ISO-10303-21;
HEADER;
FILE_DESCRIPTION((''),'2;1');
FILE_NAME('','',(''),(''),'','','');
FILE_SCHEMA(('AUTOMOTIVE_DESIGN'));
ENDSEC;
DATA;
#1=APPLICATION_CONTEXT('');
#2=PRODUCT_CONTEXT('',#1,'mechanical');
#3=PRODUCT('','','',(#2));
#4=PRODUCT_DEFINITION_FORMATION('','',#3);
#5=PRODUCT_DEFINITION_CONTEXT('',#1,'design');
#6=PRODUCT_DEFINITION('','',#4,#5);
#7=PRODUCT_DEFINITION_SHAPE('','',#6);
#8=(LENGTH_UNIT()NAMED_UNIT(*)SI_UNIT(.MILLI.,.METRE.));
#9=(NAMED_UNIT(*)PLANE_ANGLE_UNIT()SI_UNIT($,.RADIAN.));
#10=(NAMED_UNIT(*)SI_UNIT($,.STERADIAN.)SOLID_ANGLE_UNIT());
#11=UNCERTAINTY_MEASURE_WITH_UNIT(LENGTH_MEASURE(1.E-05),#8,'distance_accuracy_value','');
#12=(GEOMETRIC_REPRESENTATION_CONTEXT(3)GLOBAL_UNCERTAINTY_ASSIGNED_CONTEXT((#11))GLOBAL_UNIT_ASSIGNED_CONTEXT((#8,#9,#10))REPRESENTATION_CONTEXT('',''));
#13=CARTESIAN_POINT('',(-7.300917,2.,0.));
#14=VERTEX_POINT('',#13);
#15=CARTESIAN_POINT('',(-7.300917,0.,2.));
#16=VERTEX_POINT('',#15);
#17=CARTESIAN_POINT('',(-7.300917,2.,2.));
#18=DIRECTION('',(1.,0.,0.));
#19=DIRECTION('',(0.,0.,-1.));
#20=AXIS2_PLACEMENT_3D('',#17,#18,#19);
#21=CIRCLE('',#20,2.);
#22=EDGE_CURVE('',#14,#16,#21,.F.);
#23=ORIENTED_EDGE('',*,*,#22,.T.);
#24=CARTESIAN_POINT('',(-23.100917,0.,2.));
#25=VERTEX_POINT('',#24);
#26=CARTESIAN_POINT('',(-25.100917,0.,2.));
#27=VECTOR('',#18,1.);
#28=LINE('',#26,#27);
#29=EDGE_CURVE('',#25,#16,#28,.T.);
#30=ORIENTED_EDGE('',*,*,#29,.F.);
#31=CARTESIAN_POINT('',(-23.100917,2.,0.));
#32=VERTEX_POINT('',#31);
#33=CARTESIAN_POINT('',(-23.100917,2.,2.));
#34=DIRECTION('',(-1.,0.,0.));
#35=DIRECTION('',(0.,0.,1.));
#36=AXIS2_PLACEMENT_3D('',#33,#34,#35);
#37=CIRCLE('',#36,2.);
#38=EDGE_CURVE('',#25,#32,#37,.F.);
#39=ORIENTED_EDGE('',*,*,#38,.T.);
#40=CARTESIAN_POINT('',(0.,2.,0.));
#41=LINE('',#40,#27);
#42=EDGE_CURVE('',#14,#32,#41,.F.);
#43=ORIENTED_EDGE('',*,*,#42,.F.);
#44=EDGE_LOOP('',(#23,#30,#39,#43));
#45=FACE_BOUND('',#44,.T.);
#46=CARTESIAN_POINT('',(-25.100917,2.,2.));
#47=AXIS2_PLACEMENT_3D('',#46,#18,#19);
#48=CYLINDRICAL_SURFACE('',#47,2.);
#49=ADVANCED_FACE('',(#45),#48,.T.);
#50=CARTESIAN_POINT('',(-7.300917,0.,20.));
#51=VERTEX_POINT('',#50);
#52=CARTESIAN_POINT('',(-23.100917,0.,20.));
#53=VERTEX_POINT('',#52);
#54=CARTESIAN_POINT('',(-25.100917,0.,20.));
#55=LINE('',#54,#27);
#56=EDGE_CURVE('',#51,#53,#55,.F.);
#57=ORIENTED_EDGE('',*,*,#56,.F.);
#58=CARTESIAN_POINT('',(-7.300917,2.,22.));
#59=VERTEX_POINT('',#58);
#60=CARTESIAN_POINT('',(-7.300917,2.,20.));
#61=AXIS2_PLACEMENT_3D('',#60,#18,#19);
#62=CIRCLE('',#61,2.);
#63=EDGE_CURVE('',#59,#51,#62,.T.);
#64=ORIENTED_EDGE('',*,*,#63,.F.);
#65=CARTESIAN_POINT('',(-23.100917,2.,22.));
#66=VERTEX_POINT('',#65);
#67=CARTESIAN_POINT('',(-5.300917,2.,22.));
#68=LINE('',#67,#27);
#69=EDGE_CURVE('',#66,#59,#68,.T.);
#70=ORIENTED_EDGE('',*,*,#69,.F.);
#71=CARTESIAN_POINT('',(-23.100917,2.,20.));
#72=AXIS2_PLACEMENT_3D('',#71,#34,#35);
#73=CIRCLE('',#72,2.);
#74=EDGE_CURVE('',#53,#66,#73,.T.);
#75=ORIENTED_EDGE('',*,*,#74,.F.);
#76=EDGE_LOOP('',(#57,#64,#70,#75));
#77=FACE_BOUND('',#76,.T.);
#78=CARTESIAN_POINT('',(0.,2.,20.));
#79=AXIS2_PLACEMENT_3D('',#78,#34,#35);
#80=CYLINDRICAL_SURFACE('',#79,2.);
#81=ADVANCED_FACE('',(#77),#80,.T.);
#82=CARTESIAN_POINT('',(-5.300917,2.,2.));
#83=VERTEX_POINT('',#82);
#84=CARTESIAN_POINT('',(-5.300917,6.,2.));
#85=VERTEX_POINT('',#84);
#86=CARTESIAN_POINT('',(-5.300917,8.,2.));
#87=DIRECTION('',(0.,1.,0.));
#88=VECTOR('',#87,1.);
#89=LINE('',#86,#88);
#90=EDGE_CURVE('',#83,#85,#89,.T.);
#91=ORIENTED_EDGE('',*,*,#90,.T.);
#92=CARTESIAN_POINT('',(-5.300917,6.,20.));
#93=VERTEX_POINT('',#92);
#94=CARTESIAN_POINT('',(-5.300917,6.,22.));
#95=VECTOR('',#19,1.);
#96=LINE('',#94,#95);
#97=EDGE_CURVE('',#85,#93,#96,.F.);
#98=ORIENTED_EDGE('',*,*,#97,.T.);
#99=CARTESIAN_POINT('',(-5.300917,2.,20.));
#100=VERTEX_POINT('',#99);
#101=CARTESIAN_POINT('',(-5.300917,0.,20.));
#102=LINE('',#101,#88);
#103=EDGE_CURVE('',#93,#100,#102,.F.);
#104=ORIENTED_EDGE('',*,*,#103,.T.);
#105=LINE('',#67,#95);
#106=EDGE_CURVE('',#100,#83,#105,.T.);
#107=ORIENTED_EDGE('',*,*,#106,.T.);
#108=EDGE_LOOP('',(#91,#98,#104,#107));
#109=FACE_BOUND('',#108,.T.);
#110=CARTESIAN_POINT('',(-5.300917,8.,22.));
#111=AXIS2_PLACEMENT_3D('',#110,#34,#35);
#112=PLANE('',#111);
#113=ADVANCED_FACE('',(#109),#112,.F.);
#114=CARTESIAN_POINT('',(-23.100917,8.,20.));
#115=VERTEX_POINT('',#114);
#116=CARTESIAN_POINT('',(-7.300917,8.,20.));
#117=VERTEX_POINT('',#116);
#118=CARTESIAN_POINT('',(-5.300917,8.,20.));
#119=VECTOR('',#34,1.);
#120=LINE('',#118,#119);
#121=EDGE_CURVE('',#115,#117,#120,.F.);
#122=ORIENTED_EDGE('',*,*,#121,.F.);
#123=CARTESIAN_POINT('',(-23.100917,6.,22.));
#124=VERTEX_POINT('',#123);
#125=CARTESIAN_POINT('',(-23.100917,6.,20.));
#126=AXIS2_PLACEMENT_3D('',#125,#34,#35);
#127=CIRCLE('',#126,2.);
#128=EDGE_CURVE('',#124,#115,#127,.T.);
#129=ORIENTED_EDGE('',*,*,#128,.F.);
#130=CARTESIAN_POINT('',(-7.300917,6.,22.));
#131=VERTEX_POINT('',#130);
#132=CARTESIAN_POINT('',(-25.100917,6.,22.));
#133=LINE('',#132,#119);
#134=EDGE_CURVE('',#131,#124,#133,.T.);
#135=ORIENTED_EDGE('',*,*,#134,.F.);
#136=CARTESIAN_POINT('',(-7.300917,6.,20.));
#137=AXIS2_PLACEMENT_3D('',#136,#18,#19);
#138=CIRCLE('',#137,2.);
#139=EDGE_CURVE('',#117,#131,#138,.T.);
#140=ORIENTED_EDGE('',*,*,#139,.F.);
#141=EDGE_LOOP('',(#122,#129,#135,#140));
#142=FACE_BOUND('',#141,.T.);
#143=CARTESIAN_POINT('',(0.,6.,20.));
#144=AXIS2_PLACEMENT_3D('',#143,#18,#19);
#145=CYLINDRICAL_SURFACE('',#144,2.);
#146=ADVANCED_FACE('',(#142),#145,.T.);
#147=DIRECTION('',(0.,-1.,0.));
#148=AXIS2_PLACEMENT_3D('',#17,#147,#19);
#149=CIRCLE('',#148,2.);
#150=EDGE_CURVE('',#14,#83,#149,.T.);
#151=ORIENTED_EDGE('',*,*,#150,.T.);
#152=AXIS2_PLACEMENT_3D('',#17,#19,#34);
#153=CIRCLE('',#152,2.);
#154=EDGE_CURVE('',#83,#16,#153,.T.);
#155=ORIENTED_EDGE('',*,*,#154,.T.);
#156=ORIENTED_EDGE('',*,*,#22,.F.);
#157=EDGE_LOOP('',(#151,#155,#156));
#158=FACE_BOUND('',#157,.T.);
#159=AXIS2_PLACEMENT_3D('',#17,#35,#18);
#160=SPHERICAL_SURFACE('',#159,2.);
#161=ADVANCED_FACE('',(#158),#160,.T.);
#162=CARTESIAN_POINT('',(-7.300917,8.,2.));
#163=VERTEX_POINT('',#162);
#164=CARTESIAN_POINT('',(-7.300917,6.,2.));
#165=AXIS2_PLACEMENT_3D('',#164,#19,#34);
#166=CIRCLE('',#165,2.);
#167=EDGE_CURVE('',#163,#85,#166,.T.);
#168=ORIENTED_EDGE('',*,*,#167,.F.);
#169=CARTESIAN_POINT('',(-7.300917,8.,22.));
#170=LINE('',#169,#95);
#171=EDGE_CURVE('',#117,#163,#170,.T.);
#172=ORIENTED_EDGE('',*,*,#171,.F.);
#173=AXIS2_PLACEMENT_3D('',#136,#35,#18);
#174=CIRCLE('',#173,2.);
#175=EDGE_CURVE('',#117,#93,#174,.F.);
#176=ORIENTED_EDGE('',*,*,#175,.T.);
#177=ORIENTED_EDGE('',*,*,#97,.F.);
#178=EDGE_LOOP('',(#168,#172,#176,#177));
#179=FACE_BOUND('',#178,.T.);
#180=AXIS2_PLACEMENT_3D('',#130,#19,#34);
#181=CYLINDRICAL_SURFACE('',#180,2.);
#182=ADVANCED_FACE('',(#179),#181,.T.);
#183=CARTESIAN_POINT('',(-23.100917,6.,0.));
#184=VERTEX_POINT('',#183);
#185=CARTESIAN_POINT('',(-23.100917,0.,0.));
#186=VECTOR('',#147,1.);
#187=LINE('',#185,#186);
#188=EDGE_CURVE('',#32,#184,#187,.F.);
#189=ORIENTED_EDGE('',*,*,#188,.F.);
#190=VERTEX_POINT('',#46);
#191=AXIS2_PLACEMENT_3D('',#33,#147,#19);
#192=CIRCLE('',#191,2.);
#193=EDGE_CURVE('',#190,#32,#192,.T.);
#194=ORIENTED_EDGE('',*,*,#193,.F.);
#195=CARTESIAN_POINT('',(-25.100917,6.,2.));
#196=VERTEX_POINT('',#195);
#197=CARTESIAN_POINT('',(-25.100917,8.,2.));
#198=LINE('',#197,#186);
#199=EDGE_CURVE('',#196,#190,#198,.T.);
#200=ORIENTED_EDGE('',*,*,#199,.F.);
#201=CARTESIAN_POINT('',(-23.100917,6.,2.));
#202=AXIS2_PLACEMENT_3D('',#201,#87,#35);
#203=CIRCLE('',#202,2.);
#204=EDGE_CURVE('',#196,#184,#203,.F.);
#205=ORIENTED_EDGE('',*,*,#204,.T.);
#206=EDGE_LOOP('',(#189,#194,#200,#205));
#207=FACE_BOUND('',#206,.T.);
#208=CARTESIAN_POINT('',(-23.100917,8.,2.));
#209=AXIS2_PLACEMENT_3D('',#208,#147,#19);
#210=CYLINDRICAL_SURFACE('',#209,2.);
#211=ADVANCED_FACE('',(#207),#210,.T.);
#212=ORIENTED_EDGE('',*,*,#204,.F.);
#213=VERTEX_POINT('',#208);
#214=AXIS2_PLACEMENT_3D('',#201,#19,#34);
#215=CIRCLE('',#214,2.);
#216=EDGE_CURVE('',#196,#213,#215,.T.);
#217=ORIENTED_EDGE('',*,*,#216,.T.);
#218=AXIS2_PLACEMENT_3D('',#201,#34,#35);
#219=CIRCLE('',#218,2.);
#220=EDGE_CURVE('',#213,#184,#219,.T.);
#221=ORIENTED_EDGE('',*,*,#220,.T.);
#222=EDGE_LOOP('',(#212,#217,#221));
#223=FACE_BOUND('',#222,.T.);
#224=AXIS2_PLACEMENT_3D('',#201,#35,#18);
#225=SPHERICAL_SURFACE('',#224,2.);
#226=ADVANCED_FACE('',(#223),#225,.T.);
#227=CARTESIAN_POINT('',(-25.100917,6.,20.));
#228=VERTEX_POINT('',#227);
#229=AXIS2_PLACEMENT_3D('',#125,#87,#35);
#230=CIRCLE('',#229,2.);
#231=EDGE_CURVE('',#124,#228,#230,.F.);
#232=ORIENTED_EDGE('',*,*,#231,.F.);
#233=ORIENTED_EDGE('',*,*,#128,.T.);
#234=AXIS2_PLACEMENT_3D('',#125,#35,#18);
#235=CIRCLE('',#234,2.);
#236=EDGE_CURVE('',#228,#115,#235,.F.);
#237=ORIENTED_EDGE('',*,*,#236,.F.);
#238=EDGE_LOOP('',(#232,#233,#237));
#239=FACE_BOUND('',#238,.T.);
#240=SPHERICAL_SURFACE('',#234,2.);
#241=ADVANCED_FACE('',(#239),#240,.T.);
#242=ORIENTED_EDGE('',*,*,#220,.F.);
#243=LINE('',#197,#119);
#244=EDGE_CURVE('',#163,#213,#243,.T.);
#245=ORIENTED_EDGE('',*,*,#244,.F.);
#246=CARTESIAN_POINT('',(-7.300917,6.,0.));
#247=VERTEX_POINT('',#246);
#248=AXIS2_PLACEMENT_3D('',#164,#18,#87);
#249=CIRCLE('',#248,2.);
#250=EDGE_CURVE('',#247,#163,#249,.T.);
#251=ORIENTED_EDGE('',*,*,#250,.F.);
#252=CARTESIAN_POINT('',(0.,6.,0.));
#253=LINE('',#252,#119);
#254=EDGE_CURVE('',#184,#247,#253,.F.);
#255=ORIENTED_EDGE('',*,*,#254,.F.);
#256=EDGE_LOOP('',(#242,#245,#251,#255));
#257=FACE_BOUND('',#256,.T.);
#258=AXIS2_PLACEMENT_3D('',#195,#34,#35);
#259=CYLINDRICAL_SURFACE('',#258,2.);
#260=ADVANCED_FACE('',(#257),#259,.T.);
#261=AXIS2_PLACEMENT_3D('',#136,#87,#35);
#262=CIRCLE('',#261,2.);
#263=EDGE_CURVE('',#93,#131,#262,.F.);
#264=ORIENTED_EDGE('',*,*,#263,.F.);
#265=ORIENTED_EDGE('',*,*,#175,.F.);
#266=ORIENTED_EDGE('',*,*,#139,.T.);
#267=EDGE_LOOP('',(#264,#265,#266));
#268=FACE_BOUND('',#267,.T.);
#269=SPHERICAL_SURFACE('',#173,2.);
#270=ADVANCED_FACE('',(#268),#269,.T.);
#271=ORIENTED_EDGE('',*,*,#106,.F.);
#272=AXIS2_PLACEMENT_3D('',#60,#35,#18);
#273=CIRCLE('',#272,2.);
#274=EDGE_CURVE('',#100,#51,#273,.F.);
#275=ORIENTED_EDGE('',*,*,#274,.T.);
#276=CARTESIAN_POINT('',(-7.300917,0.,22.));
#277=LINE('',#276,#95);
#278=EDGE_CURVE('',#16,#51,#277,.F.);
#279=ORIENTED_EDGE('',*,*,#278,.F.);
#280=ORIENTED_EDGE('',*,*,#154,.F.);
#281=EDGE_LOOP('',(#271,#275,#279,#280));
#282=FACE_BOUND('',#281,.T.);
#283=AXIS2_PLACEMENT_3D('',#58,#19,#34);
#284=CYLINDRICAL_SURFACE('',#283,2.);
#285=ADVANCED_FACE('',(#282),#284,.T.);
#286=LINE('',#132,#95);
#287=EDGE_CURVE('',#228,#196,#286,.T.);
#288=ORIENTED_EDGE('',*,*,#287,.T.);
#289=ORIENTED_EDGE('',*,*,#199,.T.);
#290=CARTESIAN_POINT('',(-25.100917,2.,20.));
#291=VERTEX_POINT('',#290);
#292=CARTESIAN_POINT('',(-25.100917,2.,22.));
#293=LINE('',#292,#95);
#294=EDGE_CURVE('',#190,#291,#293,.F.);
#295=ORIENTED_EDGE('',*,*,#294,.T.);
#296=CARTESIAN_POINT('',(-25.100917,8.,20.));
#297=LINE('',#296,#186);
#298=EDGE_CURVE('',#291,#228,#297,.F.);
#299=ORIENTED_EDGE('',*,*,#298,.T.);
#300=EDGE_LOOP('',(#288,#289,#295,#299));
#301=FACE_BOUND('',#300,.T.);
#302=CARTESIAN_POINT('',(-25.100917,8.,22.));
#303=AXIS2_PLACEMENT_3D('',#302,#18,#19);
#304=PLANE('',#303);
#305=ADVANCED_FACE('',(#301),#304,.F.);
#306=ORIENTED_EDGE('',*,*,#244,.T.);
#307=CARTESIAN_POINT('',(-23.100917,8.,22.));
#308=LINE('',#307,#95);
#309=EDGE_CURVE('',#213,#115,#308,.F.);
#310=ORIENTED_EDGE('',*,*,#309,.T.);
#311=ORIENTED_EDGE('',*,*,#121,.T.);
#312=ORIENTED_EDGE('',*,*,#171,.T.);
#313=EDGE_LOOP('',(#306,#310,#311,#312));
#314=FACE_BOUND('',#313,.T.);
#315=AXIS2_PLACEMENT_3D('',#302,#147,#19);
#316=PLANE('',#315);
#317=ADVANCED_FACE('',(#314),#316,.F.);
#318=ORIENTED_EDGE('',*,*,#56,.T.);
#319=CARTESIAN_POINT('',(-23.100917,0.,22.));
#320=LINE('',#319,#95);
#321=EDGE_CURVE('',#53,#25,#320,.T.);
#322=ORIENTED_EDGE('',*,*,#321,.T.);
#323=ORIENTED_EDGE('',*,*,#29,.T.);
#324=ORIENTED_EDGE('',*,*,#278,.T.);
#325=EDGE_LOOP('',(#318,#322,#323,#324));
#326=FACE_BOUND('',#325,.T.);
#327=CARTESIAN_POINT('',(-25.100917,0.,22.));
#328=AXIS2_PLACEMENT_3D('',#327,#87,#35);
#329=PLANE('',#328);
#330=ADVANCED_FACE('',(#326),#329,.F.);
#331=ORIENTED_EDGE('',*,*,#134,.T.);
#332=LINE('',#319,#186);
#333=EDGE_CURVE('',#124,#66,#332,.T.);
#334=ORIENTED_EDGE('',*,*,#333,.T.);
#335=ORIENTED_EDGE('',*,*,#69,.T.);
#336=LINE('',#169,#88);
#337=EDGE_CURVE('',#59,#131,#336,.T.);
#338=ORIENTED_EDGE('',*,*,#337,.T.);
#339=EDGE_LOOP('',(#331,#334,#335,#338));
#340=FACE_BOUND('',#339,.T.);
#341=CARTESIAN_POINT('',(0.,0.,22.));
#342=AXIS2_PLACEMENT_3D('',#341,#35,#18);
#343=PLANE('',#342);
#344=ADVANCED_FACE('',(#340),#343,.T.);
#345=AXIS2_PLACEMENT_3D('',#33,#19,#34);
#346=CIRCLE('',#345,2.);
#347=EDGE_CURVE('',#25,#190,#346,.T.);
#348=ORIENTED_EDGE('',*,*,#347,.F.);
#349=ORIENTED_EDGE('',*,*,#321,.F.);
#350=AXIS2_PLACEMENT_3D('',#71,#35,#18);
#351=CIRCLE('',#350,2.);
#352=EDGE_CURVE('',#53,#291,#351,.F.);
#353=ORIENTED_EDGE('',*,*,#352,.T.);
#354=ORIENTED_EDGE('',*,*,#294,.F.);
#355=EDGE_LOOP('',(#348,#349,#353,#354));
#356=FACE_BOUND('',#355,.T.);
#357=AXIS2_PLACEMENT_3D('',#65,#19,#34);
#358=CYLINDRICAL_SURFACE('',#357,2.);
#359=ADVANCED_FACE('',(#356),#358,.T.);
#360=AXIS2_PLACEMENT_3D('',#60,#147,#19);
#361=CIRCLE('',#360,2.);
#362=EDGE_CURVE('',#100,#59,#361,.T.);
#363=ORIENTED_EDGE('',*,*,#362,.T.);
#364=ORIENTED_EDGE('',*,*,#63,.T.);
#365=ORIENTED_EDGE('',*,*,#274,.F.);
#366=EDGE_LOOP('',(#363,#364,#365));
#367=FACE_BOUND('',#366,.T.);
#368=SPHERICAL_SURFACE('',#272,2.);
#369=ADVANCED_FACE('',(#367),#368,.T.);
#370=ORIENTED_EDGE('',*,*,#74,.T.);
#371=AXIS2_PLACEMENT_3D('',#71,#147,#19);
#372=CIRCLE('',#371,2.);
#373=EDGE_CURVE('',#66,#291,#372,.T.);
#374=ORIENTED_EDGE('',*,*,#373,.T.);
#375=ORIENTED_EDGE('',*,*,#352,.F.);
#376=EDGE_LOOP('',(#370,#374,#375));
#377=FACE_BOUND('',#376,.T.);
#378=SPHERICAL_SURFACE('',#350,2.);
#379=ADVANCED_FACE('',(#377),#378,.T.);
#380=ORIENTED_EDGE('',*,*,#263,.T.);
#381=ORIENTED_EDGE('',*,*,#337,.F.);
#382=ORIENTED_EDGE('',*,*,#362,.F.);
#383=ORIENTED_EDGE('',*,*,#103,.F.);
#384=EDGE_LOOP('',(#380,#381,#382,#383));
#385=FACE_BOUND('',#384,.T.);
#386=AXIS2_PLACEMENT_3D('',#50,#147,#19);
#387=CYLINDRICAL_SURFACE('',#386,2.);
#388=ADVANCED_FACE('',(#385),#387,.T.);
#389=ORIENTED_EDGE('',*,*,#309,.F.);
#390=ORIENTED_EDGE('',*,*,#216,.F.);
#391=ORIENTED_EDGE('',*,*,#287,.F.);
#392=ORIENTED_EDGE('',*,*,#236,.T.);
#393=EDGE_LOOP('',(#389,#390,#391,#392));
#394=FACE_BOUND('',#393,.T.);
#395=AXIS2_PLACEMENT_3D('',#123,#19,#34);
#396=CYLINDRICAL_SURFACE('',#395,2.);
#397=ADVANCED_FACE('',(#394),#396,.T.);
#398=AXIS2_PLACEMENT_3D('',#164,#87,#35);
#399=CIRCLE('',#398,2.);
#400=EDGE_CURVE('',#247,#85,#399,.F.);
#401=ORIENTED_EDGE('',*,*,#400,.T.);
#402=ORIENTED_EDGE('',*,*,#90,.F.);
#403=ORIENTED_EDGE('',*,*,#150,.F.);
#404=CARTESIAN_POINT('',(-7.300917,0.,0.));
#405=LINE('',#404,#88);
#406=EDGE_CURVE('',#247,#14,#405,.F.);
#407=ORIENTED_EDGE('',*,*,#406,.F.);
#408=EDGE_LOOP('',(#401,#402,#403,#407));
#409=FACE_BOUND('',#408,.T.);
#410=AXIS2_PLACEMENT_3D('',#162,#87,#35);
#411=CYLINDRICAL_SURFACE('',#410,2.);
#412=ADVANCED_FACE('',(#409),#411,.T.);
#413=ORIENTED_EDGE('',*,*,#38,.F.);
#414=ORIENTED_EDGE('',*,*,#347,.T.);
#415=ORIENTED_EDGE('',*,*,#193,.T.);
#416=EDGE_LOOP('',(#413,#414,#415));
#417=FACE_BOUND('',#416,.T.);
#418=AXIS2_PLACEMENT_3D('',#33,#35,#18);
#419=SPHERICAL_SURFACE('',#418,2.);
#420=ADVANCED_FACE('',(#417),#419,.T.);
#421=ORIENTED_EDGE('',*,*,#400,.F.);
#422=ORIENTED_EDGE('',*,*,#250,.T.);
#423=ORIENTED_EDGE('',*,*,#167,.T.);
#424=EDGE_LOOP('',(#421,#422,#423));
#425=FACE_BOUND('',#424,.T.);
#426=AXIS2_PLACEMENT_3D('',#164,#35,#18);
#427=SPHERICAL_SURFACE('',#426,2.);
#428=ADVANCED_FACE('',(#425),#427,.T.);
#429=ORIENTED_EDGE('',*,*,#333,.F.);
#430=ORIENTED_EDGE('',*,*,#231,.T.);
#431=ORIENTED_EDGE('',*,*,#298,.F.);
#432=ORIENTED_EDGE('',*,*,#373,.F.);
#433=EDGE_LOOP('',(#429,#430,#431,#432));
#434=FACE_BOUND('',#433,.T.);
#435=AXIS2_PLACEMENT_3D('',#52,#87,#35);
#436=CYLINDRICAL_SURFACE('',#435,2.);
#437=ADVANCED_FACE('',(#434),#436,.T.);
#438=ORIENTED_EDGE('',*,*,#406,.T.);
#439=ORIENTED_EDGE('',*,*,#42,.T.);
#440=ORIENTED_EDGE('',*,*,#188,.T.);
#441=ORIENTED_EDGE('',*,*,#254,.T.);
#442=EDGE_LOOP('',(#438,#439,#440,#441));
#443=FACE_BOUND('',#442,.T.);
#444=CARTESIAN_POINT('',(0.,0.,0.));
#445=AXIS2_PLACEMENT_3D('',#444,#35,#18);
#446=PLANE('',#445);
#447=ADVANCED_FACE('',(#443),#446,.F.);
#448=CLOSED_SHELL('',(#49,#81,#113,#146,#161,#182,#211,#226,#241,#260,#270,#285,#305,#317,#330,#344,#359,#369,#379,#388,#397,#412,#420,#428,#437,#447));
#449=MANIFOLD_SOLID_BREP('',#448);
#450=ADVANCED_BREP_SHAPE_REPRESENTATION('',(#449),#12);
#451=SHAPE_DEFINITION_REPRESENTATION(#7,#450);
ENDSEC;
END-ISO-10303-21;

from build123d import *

# Parameters (mm, degrees)
CROQUIS1_W              = 19.8
CROQUIS1_H              = 8
SALIENTE_EXTRUIR1_DEPTH = 22
REDONDEO1_R             = 2


with BuildPart() as part:
    # Croquis1 → Saliente-Extruir1 (new body)
    with BuildSketch(Plane.XY):
        with Locations((-15.200917431, 4)):
            Rectangle(CROQUIS1_W, CROQUIS1_H)
    extrude(amount=SALIENTE_EXTRUIR1_DEPTH)

    # Redondeo1
    redondeo1_edges = [part.edges().sort_by_distance(p)[0] for p in [
        (-5.300917431, 4, 22),
        (-15.200917431, 8, 22),
        (-25.100917431, 4, 22),
        (-15.200917431, 8, 0),
        (-5.300917431, 4, 0),
        (-15.200917431, 0, 0),
        (-25.100917431, 4, 0),
        (-15.200917431, 0, 22),
        (-25.100917431, 8, 11),
        (-5.300917431, 8, 11),
        (-5.300917431, 0, 11),
        (-25.100917431, 0, 11),
    ]]
    fillet(redondeo1_edges, radius=REDONDEO1_R)


solid = part.part
